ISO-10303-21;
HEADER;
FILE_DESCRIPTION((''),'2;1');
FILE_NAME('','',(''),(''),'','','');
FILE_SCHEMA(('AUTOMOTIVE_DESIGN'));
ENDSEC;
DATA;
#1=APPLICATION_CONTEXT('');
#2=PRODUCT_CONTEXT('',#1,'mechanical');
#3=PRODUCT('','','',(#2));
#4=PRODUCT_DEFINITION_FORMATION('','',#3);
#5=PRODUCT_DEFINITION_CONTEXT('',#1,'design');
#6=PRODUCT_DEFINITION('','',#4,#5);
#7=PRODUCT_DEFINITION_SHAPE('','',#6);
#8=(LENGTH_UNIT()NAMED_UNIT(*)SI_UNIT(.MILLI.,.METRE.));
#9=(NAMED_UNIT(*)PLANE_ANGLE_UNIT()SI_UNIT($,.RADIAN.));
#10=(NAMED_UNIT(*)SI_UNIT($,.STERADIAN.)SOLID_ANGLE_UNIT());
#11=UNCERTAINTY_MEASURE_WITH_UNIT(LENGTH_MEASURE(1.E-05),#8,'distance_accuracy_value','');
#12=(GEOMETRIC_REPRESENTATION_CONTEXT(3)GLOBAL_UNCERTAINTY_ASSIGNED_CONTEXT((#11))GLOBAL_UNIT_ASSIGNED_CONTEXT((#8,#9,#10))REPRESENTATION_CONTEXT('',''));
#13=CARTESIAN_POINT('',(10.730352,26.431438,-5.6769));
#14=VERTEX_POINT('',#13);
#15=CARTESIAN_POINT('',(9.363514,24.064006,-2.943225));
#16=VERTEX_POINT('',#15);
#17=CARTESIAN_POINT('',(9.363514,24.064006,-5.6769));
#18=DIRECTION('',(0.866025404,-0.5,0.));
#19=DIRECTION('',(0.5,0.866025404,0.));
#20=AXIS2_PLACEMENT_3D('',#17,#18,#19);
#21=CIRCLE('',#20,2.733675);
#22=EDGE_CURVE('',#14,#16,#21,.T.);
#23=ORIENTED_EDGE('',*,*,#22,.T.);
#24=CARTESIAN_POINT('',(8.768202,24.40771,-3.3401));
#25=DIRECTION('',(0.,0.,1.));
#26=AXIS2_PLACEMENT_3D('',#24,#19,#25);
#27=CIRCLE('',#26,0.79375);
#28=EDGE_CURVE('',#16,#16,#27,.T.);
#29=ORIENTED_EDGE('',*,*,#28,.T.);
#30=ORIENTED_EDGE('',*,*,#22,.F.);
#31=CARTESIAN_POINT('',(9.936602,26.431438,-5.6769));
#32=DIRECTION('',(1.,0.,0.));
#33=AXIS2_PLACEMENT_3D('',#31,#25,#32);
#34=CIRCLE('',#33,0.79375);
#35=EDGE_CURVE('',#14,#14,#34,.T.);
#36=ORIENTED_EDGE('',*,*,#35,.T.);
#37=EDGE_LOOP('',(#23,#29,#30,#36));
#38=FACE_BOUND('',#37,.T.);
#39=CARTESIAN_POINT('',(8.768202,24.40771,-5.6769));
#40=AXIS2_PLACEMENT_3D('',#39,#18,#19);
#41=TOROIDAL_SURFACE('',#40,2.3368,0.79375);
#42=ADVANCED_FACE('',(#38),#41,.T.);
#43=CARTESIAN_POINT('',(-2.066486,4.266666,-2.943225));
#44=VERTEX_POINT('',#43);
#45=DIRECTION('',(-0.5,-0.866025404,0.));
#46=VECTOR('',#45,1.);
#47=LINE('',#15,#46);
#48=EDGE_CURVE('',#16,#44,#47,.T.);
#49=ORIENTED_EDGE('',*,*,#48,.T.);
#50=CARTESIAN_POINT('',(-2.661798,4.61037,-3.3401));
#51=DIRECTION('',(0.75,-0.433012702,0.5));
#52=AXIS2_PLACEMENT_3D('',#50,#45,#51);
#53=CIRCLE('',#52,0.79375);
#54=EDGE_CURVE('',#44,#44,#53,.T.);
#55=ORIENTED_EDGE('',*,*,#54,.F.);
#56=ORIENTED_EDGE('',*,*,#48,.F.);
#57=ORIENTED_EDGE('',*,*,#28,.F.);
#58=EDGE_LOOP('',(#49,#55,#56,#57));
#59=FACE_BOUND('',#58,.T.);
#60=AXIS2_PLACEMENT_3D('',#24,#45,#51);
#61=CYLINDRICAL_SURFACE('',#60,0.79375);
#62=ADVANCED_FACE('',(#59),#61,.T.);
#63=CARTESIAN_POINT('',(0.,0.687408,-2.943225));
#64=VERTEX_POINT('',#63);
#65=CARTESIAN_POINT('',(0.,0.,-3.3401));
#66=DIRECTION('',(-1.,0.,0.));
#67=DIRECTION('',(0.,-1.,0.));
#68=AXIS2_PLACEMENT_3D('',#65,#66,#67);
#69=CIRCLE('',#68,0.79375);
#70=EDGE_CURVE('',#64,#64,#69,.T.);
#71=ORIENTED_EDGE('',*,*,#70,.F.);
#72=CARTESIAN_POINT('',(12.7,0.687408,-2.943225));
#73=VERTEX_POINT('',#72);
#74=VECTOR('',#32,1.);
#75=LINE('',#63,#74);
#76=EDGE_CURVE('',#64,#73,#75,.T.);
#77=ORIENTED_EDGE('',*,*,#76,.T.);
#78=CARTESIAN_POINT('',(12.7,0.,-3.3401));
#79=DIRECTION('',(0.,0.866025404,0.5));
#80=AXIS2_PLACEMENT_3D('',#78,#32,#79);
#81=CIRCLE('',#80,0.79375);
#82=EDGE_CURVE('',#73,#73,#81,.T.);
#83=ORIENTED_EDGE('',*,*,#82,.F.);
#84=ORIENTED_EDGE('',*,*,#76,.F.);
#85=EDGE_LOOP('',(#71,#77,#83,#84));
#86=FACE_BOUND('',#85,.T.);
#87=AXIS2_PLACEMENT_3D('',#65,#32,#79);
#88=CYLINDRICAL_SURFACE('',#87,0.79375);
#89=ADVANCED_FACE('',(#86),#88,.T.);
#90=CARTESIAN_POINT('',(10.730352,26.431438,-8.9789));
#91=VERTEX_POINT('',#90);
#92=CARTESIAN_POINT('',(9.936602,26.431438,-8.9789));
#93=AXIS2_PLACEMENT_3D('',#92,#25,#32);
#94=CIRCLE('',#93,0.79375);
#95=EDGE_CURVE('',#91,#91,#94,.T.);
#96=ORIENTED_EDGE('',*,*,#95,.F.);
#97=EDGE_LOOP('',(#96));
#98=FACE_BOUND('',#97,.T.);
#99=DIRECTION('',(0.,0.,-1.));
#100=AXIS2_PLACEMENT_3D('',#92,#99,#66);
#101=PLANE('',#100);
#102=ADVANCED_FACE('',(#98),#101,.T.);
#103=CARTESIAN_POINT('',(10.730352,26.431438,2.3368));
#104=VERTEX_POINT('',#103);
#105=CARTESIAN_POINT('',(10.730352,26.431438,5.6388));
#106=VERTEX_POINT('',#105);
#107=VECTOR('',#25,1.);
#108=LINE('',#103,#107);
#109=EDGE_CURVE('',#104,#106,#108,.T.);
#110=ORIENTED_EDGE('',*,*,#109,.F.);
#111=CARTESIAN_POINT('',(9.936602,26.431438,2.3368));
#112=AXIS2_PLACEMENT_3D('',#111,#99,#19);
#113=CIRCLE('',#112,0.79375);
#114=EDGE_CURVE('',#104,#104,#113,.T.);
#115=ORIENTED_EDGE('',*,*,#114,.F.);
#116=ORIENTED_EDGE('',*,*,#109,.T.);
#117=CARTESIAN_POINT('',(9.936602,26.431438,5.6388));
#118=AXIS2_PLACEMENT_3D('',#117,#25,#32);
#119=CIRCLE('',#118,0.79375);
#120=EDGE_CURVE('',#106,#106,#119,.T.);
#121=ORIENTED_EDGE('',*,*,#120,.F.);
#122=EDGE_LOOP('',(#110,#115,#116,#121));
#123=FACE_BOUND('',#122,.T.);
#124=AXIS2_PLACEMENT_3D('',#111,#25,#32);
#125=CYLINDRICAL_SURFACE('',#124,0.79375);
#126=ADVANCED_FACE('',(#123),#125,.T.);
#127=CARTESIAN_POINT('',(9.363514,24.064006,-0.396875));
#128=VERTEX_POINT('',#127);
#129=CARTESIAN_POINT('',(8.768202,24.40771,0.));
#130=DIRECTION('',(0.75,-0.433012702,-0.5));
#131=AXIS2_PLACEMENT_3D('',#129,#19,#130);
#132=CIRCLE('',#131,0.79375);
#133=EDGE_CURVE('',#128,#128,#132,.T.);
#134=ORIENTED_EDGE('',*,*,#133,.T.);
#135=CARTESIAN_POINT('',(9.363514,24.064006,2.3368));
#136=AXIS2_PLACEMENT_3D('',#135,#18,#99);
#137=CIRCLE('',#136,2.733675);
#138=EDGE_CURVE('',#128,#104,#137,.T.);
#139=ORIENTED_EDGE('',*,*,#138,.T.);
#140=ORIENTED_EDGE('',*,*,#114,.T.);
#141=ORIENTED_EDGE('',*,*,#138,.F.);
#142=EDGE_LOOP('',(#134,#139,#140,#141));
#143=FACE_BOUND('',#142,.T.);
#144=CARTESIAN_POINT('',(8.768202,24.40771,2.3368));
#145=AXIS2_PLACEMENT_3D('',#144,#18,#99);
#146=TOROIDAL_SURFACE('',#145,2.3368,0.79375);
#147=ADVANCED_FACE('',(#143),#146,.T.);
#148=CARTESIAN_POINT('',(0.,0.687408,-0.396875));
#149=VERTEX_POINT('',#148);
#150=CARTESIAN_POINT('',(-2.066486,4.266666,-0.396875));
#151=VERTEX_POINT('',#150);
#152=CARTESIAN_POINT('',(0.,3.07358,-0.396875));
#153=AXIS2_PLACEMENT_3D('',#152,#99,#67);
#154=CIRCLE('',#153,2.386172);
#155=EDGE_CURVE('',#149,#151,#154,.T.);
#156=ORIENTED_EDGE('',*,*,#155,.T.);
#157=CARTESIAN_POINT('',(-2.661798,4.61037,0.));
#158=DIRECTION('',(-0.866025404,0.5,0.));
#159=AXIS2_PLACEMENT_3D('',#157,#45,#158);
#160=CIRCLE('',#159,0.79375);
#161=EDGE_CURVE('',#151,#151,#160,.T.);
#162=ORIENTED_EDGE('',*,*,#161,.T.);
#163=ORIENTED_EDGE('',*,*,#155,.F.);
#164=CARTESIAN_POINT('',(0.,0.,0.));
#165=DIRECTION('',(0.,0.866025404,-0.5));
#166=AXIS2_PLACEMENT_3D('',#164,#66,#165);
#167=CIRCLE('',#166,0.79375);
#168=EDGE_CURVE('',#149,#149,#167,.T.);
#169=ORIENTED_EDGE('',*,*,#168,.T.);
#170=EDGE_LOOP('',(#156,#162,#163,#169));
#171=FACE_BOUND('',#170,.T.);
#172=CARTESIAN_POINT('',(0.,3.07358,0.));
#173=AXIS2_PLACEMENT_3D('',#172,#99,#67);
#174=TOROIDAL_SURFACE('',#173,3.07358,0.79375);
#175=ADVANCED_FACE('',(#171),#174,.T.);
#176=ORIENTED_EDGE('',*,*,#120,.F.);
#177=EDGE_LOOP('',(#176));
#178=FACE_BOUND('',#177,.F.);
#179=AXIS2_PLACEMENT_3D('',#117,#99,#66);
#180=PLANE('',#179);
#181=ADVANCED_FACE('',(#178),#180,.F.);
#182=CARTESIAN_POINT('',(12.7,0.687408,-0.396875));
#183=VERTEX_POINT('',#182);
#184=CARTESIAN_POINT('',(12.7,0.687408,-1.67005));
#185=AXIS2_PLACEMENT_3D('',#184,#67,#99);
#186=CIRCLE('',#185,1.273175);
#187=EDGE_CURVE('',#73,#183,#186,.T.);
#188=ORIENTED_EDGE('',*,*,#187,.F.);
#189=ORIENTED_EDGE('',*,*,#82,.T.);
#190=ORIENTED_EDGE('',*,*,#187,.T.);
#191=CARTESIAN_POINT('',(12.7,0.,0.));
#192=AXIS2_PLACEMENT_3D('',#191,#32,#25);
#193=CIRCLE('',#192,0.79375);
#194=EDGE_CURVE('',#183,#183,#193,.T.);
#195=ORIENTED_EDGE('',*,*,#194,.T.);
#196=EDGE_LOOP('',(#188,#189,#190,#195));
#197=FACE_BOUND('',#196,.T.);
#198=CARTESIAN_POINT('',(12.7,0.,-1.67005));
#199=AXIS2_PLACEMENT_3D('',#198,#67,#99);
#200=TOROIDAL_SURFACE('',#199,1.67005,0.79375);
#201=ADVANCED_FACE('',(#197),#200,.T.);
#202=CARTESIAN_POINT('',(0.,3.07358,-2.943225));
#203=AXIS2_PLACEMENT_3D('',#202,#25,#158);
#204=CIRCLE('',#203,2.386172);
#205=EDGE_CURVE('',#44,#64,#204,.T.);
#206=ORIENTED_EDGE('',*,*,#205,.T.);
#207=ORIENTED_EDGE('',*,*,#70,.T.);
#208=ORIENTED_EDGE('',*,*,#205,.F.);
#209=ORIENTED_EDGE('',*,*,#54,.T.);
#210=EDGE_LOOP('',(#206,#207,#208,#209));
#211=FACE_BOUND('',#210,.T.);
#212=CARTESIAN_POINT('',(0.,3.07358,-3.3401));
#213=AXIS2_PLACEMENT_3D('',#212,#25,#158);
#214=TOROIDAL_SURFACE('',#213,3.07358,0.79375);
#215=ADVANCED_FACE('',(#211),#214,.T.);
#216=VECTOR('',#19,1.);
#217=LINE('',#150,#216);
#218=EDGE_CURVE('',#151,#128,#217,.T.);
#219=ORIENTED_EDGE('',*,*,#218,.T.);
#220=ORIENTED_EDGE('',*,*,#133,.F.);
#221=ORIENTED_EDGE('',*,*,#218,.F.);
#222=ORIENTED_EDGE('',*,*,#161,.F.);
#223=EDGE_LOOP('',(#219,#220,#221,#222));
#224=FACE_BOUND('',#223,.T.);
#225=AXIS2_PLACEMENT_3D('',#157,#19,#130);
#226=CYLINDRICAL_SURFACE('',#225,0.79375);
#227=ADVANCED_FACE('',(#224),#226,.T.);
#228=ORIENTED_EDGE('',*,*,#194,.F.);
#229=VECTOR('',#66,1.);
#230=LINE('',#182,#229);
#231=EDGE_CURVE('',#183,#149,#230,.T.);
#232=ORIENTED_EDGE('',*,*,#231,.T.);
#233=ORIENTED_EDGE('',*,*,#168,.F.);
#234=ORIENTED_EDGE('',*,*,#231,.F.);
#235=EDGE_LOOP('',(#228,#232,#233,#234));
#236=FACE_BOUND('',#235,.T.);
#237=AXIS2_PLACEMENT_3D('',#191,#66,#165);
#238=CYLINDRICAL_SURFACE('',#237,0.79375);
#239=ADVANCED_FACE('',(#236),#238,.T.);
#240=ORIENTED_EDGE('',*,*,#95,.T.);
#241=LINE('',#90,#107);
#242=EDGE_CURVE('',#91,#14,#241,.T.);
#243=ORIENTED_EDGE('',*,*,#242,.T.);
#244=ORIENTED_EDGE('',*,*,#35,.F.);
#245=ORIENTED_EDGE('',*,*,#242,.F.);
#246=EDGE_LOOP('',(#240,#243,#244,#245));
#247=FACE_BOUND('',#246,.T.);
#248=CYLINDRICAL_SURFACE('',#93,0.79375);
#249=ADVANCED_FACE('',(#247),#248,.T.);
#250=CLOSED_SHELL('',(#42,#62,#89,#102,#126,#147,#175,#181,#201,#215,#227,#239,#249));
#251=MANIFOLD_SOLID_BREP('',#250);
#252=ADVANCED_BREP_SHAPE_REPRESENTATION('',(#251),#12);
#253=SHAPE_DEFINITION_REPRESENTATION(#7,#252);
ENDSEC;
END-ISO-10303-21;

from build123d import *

# Parameters (mm, degrees)
F11_R = 0.79375


with BuildPart() as f12:
    # F12: sweep along a path in F9, F5, F3, F0, F9
    with BuildLine(Plane(origin=(-3.9926971676, 2.3051847845, 0), x_dir=(-0.5, -0.8660254038, 0), z_dir=(-0.8660254038, 0.5, 0))) as f12_path:
        Line((-27.8585981117, -8.9789), (-27.8585981117, -5.6769))
        ThreePointArc((-27.8585981117, -5.6769), (-27.174165238, -4.0245328737), (-25.5217981117, -3.3401))
    with BuildLine(Plane.XY.offset(-3.3401)) as f12_path_2:
        Line((8.7682018883, 24.4077102995), (-2.6617981117, 4.610369569))
        ThreePointArc((-2.6617981117, 4.610369569), (-2.6617981117, 1.5367898563), (0, 0))
        Line((0, 0), (12.7, 0))
    with BuildLine(Plane.XZ) as f12_path_3:
        ThreePointArc((12.7, -3.3401), (14.37005, -1.67005), (12.7, 0))
    with BuildLine(Plane.XY) as f12_path_4:
        Line((12.7, 0), (0, 0))
        ThreePointArc((0, 0), (-2.6617981117, 1.5367898563), (-2.6617981117, 4.610369569))
        Line((-2.6617981117, 4.610369569), (8.7682018883, 24.4077102995))
    with BuildLine(Plane(origin=(-3.9926971676, 2.3051847845, 0), x_dir=(-0.5, -0.8660254038, 0), z_dir=(-0.8660254038, 0.5, 0))) as f12_path_5:
        ThreePointArc((-25.5217981117, 0), (-27.174165238, 0.6844328737), (-27.8585981117, 2.3368))
        Line((-27.8585981117, 2.3368), (-27.8585981117, 5.6388))
    # F11 (on line) → F12 (sweep)
    with BuildSketch(Plane(origin=(0, 0, -8.9789), x_dir=(1, 0, 0), z_dir=(0, 0, -1))):
        with Locations((9.9366018883, -26.431438463)):
            Circle(F11_R)
    sweep(path=f12_path.line + f12_path_2.line + f12_path_3.line + f12_path_4.line + f12_path_5.line)


solid = f12.part
